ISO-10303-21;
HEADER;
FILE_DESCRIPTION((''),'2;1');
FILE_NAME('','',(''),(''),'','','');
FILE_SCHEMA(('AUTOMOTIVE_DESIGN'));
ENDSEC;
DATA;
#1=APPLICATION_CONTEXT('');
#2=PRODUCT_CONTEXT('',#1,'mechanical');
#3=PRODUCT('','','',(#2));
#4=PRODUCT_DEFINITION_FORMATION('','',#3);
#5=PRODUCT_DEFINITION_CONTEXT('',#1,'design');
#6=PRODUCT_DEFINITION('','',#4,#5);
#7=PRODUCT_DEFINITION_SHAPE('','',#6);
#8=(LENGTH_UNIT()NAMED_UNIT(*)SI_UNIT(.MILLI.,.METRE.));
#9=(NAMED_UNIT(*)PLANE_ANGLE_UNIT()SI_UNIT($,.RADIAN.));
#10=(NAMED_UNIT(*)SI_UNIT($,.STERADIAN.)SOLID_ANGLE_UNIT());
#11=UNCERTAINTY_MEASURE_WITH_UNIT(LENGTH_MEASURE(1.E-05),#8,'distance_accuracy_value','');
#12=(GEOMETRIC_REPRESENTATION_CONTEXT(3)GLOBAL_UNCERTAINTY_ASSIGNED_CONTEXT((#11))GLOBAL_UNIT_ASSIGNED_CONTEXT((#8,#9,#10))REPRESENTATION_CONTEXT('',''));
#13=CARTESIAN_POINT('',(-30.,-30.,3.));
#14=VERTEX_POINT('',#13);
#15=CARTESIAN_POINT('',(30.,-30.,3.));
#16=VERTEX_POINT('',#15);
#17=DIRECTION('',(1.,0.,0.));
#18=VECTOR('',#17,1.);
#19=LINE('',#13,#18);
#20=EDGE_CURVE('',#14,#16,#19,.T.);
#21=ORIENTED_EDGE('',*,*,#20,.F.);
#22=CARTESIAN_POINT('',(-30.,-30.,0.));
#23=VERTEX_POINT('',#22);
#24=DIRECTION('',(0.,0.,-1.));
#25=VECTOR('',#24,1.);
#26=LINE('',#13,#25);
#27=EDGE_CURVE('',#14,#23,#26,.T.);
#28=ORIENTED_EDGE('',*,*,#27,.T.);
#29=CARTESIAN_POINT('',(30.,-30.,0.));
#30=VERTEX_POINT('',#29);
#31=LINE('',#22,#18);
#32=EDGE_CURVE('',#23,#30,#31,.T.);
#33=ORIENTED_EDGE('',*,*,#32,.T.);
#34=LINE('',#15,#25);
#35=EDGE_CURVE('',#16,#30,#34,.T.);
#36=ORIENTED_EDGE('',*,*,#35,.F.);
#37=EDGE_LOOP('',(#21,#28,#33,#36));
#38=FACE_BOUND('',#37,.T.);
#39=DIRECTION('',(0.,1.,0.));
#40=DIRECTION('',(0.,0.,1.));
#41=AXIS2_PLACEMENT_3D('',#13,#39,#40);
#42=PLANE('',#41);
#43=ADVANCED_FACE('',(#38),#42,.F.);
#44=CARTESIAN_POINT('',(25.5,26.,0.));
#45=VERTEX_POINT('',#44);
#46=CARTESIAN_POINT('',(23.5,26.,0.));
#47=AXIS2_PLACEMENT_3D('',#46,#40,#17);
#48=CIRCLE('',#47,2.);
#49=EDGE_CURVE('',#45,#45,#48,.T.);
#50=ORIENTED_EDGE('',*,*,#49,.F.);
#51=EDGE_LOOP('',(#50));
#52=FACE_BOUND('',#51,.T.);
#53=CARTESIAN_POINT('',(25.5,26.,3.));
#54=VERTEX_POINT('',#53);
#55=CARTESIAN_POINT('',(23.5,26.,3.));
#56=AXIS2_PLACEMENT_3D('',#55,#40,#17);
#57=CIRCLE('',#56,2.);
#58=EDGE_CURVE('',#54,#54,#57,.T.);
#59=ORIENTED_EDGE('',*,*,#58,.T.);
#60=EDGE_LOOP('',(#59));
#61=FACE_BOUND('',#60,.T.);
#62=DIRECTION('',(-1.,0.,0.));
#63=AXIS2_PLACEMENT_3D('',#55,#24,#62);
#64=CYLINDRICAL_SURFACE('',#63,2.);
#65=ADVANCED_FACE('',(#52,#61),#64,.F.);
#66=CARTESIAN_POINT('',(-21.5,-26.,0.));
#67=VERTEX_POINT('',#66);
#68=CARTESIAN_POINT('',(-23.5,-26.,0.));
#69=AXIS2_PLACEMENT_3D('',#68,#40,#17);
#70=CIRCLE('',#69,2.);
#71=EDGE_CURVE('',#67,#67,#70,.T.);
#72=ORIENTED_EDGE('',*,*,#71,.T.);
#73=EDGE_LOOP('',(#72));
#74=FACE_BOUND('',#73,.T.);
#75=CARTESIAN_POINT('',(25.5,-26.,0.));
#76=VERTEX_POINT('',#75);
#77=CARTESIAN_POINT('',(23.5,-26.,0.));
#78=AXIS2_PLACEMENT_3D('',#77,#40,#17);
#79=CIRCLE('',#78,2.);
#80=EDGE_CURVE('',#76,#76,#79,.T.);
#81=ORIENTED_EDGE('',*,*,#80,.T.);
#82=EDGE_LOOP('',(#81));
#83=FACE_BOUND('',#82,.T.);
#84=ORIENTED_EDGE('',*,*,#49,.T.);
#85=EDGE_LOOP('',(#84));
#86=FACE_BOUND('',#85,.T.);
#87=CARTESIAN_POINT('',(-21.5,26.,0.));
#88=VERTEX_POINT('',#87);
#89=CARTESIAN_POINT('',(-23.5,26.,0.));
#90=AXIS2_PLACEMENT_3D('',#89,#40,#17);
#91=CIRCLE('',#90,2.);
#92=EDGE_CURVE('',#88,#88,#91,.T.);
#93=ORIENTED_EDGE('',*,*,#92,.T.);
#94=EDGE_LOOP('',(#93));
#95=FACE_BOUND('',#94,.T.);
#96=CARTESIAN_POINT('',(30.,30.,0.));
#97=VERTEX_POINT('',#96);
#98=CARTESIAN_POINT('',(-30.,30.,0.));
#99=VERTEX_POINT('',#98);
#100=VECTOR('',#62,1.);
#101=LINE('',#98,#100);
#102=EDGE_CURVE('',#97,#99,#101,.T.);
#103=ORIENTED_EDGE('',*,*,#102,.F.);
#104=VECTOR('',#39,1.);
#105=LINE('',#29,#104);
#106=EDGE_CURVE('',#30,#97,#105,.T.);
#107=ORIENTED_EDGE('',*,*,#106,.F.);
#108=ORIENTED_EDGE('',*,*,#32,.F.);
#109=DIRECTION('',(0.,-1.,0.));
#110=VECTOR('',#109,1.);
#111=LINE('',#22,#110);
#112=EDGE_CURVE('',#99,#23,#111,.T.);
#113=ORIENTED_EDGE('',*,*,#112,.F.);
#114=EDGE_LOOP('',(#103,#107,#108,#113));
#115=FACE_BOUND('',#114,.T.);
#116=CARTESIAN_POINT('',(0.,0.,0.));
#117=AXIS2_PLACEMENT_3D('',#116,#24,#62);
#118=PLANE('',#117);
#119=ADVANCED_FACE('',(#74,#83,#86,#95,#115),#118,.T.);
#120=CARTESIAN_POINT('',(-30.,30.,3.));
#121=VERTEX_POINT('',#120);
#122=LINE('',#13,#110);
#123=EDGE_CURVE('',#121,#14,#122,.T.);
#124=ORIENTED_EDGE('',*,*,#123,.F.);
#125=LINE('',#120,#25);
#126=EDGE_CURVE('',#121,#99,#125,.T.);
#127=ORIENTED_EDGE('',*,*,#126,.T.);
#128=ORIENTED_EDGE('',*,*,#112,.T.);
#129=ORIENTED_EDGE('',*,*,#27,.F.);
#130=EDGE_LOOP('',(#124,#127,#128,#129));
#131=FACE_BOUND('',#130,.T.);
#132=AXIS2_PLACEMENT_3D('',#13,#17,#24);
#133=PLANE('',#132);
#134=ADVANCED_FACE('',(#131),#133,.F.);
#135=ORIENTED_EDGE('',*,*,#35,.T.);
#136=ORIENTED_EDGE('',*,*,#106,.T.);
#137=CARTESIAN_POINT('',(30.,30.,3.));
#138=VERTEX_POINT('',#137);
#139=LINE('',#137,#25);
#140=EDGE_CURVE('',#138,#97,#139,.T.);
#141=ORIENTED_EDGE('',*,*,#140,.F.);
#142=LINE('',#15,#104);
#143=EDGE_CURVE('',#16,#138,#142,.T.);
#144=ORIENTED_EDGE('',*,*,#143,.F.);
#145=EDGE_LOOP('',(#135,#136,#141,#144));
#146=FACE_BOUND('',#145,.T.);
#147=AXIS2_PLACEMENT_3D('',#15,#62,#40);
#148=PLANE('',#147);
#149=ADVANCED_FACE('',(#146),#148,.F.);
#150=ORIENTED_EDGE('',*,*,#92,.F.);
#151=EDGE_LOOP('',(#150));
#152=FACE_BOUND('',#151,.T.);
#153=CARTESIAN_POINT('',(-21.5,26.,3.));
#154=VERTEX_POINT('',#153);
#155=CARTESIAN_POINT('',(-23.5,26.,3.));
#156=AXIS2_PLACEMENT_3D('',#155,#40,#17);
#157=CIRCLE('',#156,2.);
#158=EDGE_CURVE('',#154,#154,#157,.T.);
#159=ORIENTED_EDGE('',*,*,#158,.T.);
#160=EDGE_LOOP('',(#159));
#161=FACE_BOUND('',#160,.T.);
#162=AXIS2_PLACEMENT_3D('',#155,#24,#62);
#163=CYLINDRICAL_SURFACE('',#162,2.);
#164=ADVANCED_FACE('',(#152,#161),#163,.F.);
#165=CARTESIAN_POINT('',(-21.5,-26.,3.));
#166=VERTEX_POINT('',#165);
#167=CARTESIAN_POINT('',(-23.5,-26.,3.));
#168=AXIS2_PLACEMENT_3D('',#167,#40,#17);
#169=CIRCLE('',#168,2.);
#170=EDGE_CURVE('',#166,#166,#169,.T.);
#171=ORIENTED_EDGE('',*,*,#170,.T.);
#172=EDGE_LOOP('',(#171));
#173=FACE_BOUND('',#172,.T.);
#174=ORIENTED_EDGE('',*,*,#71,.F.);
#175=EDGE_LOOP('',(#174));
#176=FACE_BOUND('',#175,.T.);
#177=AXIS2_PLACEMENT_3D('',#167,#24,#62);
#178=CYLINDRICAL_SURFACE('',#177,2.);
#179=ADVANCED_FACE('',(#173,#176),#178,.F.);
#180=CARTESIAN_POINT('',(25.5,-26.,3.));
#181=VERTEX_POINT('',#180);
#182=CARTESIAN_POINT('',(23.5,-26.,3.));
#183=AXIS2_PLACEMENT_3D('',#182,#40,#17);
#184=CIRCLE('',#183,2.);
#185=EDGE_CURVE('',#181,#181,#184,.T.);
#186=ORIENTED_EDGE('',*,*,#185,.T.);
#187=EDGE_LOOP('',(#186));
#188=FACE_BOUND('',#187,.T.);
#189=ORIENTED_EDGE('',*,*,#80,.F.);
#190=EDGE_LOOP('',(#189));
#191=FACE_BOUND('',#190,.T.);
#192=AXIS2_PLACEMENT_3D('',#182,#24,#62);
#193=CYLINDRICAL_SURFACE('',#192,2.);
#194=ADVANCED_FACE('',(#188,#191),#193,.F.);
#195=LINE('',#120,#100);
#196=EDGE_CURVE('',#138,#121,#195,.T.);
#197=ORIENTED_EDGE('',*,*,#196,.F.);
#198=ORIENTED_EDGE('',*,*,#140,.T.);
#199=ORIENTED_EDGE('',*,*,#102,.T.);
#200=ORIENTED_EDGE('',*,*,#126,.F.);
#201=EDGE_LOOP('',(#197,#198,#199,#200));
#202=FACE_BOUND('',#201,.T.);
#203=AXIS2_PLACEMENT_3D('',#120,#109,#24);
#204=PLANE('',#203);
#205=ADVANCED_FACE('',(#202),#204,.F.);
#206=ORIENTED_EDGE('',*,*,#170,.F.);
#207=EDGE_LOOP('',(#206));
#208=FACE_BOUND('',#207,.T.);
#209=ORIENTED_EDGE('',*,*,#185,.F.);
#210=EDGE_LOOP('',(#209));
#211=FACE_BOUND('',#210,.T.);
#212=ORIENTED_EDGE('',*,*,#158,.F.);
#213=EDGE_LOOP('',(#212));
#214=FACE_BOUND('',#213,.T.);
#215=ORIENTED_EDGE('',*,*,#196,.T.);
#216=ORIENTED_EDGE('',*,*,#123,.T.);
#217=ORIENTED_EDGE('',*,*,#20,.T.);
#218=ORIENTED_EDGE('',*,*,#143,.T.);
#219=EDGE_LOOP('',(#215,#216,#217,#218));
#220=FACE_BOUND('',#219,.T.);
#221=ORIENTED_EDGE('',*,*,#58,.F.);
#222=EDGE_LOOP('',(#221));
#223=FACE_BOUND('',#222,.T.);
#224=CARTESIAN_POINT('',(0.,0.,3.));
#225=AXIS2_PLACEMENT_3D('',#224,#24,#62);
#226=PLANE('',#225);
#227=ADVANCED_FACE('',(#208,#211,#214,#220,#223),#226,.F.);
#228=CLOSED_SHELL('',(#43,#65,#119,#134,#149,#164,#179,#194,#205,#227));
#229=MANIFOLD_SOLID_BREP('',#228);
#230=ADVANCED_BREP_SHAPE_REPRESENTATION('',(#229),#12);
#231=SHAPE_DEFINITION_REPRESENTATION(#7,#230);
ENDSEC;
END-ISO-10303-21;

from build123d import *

# Parameters (mm, degrees)
SKETCH1_W           = 60
SKETCH1_H           = 60
BOSS_EXTRUDE1_DEPTH = 3
SKETCH2_R           = 2
CUT_EXTRUDE1_DEPTH  = 4


with BuildPart() as part:
    # Sketch1 → Boss-Extrude1 (new body)
    with BuildSketch(Plane.XY):
        Rectangle(SKETCH1_W, SKETCH1_H)
    extrude(amount=BOSS_EXTRUDE1_DEPTH)

    # Sketch2 → Cut-Extrude1 (cut, through all)
    with BuildSketch(Plane.XY):
        with Locations((23.5, 26)):
            Circle(SKETCH2_R)
        with Locations((-23.5, 26)):
            Circle(SKETCH2_R)
        with Locations((-23.5, -26)):
            Circle(SKETCH2_R)
        with Locations((23.5, -26)):
            Circle(SKETCH2_R)
    extrude(amount=CUT_EXTRUDE1_DEPTH, mode=Mode.SUBTRACT)


solid = part.part
